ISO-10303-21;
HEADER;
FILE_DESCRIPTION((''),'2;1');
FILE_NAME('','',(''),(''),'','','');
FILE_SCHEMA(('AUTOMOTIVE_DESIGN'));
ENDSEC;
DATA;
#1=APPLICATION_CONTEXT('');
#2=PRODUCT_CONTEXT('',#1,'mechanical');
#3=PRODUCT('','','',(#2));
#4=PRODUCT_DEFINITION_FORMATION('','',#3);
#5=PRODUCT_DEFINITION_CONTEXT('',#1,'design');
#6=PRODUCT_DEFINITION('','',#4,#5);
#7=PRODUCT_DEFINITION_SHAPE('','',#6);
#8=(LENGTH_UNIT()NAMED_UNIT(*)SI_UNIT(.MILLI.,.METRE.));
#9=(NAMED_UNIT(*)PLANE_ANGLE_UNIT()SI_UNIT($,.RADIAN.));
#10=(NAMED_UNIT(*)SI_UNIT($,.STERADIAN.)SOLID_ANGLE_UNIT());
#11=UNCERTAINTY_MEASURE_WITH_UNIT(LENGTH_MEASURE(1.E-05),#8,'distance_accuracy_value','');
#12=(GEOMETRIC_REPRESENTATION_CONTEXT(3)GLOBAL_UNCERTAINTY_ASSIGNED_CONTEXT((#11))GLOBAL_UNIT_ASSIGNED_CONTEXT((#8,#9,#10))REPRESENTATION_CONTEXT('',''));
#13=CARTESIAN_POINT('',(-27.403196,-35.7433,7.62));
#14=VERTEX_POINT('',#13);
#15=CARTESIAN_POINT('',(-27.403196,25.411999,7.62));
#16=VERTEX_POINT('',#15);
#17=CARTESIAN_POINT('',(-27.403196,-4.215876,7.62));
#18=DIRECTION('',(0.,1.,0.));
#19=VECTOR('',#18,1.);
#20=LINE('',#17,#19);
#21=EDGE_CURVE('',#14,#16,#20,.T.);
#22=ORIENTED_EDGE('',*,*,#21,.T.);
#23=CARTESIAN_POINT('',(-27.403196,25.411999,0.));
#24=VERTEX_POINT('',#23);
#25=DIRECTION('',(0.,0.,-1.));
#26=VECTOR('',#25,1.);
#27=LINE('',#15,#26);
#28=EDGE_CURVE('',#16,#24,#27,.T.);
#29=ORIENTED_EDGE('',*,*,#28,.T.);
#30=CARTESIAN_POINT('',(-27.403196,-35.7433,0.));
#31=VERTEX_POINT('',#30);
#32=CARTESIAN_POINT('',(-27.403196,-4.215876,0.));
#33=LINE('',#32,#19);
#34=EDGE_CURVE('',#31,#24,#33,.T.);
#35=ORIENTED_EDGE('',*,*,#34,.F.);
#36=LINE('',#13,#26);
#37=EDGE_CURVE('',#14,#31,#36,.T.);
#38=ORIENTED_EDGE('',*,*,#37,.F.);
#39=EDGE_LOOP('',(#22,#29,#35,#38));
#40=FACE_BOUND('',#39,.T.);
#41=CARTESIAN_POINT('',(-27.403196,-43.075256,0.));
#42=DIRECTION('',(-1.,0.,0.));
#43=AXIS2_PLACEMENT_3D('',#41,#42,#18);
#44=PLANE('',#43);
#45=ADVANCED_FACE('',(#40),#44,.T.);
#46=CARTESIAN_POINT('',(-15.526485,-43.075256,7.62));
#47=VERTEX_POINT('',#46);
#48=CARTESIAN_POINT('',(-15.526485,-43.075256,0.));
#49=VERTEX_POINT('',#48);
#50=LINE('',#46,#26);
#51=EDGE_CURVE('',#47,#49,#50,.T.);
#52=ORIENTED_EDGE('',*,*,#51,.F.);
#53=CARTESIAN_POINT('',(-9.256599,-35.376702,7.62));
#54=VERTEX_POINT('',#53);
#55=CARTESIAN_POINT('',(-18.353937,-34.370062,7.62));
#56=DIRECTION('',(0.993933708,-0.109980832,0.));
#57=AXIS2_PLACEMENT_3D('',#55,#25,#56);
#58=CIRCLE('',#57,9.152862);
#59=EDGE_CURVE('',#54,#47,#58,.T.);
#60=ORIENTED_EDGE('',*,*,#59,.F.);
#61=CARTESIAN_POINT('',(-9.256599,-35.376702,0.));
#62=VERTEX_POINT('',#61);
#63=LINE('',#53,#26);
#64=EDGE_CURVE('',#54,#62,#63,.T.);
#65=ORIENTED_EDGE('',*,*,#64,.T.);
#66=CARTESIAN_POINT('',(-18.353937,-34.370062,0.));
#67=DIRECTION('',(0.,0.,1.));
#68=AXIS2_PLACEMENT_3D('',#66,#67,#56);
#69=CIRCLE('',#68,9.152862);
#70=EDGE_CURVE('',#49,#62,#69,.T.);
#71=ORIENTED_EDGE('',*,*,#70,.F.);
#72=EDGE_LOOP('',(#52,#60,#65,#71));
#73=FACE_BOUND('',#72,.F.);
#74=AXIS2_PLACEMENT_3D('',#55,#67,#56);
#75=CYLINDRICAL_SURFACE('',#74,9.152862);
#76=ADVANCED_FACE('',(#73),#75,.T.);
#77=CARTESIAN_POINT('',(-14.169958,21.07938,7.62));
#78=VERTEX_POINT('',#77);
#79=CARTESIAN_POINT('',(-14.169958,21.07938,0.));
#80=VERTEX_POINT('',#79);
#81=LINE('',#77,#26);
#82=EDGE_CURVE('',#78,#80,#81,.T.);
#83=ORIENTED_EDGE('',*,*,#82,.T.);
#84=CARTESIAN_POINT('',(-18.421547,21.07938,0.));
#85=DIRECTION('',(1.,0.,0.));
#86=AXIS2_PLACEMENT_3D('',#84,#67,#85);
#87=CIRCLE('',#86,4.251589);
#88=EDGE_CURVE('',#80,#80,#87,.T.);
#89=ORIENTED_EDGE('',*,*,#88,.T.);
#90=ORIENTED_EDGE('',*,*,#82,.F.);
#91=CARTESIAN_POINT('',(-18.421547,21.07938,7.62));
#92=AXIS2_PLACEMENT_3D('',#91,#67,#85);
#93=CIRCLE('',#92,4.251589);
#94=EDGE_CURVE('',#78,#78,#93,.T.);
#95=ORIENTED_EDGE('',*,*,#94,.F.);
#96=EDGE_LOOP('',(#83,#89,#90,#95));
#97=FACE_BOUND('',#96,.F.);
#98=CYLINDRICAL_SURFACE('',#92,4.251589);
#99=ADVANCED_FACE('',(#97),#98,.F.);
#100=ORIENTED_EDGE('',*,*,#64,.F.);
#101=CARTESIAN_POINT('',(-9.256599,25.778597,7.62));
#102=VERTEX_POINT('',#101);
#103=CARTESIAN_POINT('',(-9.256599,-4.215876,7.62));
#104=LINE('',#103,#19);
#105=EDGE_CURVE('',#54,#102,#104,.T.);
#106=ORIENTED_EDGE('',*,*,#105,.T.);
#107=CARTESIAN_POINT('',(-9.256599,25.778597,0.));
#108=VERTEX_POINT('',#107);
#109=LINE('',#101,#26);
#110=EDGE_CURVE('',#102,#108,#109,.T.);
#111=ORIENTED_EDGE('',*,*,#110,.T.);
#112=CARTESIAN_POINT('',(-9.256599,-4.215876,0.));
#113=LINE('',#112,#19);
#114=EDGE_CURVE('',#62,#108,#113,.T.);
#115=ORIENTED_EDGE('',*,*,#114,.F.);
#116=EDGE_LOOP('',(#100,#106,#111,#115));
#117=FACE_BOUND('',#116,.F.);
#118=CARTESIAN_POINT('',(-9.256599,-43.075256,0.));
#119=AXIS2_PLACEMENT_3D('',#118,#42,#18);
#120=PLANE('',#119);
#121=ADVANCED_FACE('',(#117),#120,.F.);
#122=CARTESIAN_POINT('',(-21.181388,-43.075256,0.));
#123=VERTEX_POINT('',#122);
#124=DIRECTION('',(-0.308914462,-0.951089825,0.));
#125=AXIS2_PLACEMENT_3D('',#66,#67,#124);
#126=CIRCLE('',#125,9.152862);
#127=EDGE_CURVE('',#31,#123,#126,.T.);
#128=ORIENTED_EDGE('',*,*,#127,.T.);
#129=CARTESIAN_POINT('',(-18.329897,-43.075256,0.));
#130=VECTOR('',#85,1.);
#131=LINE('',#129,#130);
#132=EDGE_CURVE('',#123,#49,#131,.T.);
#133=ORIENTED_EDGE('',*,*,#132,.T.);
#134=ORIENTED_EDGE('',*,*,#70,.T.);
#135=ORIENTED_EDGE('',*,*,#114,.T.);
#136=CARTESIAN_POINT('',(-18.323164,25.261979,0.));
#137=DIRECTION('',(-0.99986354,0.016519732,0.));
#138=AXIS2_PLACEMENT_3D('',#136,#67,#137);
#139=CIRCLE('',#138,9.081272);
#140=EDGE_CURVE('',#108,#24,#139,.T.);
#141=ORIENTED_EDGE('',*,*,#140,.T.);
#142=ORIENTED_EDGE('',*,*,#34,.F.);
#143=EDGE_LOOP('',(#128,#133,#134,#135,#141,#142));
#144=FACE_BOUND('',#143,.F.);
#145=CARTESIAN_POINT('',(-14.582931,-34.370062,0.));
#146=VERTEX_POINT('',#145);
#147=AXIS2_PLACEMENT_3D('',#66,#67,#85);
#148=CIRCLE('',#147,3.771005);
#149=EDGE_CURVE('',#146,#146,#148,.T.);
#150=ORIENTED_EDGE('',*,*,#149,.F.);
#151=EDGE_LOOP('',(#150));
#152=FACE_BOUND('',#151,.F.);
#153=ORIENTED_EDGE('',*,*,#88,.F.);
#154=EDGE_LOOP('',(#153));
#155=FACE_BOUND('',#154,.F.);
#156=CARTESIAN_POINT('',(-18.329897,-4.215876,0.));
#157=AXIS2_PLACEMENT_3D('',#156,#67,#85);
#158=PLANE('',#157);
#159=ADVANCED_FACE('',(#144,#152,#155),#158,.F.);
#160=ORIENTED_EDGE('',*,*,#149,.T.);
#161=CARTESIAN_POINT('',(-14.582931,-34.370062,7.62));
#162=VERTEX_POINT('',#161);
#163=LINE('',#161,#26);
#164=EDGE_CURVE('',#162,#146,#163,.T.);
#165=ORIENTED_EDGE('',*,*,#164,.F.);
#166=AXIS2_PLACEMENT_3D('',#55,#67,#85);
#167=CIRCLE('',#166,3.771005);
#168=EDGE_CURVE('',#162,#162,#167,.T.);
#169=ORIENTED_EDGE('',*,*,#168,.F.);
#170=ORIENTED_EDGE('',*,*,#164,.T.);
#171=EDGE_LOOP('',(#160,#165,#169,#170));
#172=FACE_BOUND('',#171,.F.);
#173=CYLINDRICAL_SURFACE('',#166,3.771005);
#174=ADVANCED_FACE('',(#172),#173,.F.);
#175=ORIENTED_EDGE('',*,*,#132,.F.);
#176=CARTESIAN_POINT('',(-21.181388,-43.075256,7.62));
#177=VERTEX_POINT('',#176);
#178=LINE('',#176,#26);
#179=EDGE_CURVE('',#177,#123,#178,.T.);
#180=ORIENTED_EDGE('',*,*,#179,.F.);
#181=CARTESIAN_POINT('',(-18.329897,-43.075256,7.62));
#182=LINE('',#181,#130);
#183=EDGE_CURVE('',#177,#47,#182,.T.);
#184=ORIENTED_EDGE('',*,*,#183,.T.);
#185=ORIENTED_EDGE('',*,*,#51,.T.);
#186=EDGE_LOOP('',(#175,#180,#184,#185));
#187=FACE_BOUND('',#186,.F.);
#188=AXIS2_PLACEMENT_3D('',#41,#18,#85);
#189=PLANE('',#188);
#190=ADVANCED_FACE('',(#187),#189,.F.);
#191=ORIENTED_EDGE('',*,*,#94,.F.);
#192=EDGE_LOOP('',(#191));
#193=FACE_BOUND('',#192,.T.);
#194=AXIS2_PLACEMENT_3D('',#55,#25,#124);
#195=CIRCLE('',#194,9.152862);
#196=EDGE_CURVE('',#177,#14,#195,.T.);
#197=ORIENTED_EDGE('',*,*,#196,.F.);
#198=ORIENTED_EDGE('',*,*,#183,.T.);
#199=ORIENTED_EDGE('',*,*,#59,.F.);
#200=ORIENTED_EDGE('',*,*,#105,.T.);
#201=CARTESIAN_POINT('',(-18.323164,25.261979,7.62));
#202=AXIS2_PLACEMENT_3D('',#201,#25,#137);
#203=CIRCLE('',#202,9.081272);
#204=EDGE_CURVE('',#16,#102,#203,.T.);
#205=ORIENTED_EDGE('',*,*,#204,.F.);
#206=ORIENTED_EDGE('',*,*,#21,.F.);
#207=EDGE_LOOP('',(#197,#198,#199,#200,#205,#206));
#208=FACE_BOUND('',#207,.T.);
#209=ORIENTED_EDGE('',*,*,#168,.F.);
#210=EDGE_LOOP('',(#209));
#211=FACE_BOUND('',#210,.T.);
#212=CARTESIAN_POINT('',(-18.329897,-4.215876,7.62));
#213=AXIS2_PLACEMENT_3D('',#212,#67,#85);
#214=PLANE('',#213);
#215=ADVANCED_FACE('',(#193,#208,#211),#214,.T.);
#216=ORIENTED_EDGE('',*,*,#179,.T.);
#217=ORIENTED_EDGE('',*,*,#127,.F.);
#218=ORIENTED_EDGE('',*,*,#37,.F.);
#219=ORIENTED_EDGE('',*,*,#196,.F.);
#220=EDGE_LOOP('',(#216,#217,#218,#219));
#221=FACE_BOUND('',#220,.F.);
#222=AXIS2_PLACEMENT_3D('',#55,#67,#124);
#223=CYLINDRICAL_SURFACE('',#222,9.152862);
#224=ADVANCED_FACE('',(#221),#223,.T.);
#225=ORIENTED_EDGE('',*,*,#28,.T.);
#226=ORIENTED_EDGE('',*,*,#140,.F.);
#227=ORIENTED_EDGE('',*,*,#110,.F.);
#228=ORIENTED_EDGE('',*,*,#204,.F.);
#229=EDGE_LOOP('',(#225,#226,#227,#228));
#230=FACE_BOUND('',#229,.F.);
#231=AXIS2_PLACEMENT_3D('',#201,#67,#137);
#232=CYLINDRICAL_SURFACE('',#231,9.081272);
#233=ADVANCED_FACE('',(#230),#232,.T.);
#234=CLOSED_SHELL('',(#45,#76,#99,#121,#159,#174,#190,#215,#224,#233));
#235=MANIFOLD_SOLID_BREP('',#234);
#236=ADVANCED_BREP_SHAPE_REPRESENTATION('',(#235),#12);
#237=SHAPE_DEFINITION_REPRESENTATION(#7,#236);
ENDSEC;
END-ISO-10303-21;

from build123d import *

# Parameters (mm, degrees)
F0_W     = 18.1465977803
F0_H     = 77.7187608182
F1_DEPTH = 7.62
F3_DEPTH = 25.4
F4_R     = 3.7710052393
F4_R_2   = 4.2515891663
F5_DEPTH = 25.4


with BuildPart() as f1:
    # F0 (on Top) → F1 (new body)
    with BuildSketch(Plane.XY):
        with Locations((-18.3298974298, -4.2158756405)):
            Rectangle(F0_W, F0_H)
    extrude(amount=F1_DEPTH)

    # F2 (on face) → F3 (cut)
    with BuildSketch(Plane.XY.offset(7.62)):
        with BuildLine():
            ThreePointArc((-27.4031963199, 25.4119987424), (-18.5065865257, 34.3413978482), (-9.2565985397, 25.7785971101))
            Line((-9.2565985397, 25.7785971101), (-9.2565985397, 34.6435047686))
            Line((-9.2565985397, 34.6435047686), (-27.4031963199, 34.6435047686))
            Line((-27.4031963199, 34.6435047686), (-27.4031963199, 25.4119987424))
        make_face()
        with BuildLine():
            Line((-27.4031963199, -43.0752560496), (-21.1813880653, -43.0752560496))
            ThreePointArc((-21.1813880653, -43.0752560496), (-25.3327232093, -40.2921749844), (-27.4031963199, -35.7432998717))
            Line((-27.4031963199, -35.7432998717), (-27.4031963199, -43.0752560496))
        make_face()
        with BuildLine():
            Line((-9.2565985397, -43.0752560496), (-9.2565985397, -35.376701504))
            ThreePointArc((-9.2565985397, -35.376701504), (-11.2569593187, -40.150009887), (-15.526485177, -43.0752560496))
            Line((-15.526485177, -43.0752560496), (-9.2565985397, -43.0752560496))
        make_face()
    extrude(amount=-F3_DEPTH, mode=Mode.SUBTRACT)

    # F4 (on face) → F5 (cut)
    with BuildSketch(Plane.XY.offset(7.62)):
        with Locations((-18.3539366212, -34.3700621202)):
            Circle(F4_R)
        with Locations((-18.4215474874, 21.0793800652)):
            Circle(F4_R_2)
    extrude(amount=-F5_DEPTH, mode=Mode.SUBTRACT)


solid = f1.part
